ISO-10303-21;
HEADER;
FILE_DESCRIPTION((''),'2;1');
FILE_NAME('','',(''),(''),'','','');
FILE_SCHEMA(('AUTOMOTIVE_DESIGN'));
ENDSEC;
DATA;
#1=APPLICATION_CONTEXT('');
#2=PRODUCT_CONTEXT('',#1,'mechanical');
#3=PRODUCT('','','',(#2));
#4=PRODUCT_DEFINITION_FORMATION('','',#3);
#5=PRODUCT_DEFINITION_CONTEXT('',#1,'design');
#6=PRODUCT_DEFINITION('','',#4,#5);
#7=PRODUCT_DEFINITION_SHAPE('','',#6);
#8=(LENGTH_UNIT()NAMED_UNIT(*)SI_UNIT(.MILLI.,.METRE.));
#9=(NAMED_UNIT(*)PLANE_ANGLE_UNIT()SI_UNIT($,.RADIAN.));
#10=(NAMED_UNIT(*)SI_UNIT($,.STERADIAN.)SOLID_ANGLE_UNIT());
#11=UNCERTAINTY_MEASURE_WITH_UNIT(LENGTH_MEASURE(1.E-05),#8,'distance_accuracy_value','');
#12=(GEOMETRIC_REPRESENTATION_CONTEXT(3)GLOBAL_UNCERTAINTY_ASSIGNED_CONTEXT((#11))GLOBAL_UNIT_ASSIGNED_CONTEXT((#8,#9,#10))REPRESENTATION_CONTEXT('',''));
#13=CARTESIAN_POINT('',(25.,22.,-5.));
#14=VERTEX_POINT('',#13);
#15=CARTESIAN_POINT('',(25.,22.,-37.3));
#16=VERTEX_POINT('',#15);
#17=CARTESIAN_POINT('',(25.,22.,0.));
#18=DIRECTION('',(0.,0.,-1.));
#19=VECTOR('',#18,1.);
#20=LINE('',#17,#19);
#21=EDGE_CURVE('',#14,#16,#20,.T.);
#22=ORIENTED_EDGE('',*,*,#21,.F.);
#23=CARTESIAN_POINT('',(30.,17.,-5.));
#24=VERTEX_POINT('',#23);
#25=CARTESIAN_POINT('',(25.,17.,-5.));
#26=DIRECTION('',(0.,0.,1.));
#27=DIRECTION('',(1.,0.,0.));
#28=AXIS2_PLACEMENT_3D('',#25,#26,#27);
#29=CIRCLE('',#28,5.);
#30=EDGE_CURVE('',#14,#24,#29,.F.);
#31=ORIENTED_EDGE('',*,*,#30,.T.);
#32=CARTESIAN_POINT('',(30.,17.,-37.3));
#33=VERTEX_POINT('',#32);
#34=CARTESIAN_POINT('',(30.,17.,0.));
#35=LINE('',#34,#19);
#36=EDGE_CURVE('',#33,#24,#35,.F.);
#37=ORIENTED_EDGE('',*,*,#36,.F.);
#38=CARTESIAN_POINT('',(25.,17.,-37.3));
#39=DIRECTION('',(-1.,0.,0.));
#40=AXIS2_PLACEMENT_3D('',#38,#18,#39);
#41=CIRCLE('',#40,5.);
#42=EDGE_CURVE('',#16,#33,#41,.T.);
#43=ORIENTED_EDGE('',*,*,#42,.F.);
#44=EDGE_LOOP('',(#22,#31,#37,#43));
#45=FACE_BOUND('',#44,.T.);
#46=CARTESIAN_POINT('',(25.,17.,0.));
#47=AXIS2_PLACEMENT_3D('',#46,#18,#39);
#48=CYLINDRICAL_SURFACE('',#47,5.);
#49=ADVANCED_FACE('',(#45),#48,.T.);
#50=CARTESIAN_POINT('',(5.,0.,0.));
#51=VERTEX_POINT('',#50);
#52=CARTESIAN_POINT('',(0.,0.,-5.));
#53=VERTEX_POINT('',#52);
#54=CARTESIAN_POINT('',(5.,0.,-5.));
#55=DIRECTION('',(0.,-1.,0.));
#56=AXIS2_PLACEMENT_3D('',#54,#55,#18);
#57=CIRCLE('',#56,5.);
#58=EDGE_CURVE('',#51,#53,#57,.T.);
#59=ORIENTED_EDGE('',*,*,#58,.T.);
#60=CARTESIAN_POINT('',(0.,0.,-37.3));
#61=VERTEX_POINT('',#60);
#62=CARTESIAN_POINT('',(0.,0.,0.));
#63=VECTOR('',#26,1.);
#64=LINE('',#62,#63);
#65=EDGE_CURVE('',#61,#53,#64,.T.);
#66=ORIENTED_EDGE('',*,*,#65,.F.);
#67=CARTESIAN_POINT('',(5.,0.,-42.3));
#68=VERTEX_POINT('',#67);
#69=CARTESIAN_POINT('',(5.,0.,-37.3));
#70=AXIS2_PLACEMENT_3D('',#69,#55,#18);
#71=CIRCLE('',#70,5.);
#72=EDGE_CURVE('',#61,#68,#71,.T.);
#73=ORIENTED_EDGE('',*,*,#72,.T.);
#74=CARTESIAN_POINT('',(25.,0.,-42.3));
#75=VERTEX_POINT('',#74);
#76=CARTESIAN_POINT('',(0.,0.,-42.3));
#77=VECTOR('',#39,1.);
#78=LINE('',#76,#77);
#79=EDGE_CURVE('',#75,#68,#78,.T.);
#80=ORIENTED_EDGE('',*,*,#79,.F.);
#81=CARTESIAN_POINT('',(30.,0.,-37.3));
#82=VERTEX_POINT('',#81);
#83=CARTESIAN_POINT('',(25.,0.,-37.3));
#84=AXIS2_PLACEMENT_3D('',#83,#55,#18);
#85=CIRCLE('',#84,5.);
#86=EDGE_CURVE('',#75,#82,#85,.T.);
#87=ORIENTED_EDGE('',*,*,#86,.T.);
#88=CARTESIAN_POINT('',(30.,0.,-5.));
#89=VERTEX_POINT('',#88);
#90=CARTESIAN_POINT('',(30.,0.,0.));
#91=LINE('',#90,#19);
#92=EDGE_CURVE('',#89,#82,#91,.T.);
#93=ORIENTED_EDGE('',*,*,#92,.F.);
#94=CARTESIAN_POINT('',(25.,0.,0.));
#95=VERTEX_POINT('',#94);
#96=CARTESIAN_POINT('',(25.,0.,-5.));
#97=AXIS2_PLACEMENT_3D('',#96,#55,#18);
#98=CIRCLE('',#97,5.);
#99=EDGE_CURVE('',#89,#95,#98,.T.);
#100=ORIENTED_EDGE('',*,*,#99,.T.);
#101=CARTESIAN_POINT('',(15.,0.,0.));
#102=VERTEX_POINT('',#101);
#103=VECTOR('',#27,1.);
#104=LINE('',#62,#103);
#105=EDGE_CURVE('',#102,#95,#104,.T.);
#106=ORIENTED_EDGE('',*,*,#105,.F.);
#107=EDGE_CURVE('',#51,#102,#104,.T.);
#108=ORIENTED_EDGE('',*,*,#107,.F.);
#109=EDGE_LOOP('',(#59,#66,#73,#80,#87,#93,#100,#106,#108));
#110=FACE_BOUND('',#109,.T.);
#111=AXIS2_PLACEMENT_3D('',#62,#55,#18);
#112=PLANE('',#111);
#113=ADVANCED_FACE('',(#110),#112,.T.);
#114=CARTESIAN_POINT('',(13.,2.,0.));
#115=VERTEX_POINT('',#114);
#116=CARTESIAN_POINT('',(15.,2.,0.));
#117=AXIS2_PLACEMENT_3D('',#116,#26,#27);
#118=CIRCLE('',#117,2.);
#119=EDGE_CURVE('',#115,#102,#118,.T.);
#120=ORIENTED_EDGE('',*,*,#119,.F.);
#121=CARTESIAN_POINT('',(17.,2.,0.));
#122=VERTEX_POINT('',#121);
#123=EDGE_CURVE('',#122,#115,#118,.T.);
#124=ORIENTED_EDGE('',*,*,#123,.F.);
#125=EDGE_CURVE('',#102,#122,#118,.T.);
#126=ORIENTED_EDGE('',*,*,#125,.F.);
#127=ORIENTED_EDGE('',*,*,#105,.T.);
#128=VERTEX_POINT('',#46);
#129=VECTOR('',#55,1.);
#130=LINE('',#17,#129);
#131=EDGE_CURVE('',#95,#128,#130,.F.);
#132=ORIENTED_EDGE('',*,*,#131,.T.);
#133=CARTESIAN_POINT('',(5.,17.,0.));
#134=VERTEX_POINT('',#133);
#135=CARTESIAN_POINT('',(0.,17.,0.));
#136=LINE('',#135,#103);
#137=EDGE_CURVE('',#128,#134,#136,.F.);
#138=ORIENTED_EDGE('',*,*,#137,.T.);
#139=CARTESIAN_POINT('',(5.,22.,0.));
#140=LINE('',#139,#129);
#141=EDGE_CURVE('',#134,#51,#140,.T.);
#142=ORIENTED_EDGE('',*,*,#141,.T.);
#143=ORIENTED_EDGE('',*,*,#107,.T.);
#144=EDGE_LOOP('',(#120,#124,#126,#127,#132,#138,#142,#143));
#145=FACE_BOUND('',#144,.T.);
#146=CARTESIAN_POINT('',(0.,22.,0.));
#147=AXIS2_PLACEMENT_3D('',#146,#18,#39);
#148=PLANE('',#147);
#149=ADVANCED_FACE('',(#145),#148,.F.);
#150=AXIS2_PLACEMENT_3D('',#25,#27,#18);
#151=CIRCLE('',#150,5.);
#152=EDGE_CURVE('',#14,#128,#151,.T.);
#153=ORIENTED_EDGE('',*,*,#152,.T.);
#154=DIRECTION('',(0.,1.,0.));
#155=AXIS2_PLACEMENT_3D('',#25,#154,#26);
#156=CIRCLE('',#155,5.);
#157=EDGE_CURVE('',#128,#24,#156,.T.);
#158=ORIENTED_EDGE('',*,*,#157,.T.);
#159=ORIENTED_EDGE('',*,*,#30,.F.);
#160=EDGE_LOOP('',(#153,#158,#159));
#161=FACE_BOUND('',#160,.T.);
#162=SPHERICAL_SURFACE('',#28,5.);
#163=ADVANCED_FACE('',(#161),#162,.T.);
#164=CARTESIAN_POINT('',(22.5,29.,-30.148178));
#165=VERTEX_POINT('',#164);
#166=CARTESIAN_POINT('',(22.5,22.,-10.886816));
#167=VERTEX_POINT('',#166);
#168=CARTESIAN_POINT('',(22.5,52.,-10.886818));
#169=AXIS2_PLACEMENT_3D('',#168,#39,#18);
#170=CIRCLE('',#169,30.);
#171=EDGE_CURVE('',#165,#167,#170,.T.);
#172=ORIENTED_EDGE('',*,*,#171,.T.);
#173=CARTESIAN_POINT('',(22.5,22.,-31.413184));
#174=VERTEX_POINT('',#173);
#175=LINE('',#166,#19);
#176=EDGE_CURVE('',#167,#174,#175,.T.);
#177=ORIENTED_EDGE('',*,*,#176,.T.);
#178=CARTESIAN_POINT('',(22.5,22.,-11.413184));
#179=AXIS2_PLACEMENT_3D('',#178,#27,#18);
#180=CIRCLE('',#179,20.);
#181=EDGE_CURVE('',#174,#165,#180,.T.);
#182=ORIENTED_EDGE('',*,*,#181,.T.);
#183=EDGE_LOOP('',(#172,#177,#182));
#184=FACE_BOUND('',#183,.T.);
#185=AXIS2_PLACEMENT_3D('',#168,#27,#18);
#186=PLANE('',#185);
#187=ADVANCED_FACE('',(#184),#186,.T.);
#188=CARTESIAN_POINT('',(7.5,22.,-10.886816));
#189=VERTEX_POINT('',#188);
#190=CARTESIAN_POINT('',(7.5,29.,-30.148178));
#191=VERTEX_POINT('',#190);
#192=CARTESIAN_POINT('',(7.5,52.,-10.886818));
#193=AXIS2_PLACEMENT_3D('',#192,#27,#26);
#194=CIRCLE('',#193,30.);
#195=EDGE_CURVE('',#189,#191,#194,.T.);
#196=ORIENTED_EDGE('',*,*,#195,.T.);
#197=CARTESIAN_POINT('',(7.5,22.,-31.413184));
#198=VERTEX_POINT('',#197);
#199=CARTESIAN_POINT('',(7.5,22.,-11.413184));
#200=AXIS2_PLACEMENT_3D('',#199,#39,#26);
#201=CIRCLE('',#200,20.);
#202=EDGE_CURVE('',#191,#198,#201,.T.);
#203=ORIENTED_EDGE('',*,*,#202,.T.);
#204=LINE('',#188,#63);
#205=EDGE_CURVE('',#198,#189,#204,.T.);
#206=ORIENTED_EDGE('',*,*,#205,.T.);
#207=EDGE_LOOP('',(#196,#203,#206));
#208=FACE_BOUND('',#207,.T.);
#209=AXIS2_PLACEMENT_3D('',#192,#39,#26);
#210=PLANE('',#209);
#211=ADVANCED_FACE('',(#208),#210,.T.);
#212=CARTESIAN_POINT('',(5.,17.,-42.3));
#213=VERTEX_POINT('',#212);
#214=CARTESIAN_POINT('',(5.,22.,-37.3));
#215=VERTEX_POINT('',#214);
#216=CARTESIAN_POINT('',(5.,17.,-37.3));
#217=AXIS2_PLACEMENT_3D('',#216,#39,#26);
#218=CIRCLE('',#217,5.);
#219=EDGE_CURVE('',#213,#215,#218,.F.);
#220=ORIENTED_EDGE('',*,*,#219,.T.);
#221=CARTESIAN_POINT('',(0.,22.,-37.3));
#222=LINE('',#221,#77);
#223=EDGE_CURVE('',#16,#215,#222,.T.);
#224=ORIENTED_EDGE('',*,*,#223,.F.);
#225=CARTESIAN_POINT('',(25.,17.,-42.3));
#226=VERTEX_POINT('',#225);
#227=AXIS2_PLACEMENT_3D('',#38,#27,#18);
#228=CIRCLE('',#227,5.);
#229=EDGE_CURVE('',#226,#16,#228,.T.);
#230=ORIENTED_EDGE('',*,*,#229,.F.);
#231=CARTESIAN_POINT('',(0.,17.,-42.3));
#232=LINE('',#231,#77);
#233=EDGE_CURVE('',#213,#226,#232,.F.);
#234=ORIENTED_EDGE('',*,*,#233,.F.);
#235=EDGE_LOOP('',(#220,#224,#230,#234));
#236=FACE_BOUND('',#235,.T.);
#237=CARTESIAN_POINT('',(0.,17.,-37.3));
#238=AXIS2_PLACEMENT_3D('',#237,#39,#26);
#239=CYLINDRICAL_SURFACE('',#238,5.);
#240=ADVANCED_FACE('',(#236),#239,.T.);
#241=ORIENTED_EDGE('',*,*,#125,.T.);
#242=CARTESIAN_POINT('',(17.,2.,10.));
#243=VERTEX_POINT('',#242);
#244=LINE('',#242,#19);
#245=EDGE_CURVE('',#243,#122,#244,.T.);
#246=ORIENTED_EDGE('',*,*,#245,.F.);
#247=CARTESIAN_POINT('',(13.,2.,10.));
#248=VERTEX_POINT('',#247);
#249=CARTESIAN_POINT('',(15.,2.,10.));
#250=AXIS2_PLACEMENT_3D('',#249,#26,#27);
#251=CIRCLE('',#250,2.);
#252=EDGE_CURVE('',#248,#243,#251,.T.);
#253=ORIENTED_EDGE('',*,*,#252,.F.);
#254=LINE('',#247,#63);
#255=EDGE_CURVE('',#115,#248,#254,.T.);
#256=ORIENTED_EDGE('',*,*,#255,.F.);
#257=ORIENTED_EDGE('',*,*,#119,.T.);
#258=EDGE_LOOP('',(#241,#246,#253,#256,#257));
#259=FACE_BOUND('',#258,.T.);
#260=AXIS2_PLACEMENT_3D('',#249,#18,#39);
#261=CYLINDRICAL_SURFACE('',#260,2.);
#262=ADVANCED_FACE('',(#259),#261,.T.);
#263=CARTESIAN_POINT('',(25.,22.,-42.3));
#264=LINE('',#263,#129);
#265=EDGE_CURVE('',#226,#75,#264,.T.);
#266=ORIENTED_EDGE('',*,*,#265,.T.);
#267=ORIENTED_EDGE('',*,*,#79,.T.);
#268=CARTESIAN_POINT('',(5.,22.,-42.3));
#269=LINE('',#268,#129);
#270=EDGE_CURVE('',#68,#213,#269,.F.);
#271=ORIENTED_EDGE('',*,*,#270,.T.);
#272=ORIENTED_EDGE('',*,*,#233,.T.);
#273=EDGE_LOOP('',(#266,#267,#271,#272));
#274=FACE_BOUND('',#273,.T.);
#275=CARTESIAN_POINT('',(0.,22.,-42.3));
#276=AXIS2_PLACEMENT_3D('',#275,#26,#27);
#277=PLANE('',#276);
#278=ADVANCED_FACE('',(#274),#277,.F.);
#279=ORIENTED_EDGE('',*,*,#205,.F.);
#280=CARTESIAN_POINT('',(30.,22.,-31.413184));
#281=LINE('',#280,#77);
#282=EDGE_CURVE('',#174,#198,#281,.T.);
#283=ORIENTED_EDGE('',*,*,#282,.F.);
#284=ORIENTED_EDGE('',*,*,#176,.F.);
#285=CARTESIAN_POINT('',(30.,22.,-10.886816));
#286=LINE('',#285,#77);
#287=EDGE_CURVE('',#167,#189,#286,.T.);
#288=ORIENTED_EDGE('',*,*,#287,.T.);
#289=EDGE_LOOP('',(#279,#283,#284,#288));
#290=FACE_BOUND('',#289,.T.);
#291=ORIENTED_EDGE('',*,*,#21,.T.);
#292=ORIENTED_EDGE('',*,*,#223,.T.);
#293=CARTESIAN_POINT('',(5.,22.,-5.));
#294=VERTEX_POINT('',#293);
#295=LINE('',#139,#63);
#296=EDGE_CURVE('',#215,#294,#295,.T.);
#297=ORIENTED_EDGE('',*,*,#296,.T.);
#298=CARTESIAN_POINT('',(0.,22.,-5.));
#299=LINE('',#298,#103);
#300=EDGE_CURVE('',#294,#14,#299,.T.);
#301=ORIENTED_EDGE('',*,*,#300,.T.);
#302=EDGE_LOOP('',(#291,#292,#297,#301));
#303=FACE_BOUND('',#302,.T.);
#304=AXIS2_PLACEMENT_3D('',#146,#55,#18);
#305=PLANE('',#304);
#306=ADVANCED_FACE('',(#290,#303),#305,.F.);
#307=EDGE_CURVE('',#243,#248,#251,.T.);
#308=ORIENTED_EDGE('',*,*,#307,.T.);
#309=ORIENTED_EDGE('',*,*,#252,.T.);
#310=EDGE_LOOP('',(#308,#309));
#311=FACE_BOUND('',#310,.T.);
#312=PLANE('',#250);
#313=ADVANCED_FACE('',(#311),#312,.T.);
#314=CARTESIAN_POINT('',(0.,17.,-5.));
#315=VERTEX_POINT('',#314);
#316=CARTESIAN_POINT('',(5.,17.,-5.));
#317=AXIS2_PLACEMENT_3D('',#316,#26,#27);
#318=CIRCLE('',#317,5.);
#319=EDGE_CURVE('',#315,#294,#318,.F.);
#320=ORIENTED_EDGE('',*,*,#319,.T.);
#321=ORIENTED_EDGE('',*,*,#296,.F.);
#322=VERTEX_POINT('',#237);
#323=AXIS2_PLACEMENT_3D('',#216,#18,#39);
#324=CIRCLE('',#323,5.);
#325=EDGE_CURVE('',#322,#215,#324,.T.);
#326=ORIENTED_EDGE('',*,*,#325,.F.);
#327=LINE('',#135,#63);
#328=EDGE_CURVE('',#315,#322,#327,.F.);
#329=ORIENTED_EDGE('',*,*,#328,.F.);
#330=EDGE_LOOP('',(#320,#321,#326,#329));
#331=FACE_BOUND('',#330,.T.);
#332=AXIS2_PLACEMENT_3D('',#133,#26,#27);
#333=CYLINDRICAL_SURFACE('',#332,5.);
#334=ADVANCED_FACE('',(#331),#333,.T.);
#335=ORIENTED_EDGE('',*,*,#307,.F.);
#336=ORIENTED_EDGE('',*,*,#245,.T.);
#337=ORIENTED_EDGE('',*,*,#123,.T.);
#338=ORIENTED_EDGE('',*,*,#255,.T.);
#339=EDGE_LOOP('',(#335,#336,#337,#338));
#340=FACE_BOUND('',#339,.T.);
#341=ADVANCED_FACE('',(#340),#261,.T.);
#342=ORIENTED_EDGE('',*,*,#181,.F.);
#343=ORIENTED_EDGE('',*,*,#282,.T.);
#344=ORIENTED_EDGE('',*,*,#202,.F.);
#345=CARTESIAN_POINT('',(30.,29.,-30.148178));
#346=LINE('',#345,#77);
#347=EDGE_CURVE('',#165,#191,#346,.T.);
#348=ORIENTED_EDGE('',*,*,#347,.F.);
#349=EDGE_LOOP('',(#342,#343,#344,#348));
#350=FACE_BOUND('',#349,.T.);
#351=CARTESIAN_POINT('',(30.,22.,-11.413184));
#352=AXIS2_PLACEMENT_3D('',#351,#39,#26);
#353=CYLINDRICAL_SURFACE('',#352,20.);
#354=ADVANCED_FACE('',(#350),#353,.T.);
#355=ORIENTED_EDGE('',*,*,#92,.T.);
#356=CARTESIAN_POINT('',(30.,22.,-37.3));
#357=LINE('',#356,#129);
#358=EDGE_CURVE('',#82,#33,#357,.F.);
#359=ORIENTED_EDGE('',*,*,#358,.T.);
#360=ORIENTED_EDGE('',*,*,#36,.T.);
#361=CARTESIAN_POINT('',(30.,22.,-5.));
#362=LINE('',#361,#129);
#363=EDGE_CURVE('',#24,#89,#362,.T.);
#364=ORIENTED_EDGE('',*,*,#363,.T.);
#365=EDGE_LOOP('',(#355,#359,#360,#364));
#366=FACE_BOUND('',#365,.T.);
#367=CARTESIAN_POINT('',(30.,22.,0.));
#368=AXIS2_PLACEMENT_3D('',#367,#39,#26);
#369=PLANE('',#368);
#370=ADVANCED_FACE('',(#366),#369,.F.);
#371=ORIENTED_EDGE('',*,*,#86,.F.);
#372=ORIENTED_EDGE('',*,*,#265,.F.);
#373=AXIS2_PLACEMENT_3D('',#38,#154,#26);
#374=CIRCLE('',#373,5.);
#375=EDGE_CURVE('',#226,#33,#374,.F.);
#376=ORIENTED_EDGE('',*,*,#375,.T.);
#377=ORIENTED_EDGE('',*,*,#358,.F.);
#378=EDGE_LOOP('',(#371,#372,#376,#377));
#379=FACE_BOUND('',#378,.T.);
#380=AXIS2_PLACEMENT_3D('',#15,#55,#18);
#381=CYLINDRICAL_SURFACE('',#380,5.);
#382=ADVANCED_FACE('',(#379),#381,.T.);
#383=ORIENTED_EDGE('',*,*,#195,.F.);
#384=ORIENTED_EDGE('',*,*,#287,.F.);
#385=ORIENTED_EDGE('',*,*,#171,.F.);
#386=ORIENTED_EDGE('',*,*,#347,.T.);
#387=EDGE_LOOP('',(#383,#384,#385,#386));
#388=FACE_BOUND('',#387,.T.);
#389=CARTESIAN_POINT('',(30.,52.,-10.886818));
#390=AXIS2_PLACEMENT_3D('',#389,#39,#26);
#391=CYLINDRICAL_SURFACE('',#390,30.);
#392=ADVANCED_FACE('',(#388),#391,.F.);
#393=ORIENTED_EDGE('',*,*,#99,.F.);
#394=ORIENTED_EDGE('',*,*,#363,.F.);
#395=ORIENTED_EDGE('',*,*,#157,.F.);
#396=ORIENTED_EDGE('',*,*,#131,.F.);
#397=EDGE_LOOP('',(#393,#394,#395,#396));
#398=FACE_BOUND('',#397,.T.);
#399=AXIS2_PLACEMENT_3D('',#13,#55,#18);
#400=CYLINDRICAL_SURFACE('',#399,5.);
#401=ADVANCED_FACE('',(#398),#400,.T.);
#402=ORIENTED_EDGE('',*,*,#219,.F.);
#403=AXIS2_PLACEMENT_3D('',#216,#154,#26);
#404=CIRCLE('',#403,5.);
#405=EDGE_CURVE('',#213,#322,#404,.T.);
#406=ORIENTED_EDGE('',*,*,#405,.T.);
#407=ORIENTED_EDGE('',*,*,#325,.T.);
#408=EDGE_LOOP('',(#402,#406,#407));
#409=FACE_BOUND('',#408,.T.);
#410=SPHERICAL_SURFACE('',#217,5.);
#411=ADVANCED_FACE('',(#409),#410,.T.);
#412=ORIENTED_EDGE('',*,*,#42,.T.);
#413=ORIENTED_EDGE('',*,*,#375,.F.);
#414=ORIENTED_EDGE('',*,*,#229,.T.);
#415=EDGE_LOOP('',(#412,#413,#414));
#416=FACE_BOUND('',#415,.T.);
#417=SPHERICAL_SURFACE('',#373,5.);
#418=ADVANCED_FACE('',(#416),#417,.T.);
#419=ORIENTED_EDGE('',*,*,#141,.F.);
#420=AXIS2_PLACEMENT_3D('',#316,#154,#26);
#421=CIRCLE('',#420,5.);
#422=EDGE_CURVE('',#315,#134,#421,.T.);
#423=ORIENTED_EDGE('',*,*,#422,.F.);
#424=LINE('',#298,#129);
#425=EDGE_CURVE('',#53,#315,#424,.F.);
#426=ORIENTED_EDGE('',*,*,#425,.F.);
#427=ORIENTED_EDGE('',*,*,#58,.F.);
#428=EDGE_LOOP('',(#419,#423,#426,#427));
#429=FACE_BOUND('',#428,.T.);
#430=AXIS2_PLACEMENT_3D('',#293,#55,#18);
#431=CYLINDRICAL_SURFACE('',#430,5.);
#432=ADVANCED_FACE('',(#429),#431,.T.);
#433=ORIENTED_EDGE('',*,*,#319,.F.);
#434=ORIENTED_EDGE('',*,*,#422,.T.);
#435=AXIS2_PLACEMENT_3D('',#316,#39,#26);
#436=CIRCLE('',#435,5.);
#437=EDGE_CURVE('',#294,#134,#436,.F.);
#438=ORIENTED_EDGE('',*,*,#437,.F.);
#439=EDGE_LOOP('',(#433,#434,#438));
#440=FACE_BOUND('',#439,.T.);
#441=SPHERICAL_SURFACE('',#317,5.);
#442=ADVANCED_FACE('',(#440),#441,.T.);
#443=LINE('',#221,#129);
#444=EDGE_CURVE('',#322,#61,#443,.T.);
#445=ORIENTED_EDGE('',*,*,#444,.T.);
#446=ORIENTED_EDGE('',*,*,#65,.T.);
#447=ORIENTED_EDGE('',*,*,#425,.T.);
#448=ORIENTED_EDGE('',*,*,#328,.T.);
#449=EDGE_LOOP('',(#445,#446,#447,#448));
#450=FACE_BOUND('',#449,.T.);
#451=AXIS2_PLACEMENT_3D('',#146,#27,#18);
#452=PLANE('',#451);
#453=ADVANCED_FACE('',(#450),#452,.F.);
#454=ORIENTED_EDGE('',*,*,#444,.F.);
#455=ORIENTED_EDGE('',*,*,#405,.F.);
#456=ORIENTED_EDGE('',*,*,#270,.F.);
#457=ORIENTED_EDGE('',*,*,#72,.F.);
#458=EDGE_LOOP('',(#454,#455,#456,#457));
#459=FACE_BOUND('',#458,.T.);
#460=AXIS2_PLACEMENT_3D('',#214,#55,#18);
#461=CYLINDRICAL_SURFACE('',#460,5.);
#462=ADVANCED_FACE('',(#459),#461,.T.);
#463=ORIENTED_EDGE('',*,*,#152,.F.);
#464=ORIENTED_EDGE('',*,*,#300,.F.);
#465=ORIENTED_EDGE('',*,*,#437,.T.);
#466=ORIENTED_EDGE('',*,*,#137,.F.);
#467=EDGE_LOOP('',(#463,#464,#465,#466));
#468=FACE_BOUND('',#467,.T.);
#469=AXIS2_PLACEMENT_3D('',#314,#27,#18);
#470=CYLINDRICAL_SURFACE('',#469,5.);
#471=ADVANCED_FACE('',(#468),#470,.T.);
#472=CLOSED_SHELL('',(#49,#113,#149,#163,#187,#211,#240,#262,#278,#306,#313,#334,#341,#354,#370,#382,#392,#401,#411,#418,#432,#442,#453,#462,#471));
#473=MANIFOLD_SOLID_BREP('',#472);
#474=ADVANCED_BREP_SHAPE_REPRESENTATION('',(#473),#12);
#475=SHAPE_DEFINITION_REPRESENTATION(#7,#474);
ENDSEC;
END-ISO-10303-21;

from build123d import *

# Parameters (mm, degrees)
SKETCH1_W           = 30
SKETCH1_H           = 42.3
BOSS_EXTRUDE1_DEPTH = 22
SKETCH2_R           = 2
BOSS_EXTRUDE2_DEPTH = 10
FILLET2_R           = 5
BOSS_EXTRUDE4_DEPTH = 30
CUT_EXTRUDE1_DEPTH  = 7.5
CUT_EXTRUDE2_START  = -7.5
CUT_EXTRUDE2_DEPTH  = 7.5


with BuildPart() as part:
    # Sketch1 → Boss-Extrude1 (new body)
    with BuildSketch(Plane(origin=(0, 0, 0), x_dir=(1, 0, 0), z_dir=(0, 1, 0))):
        with Locations((15, 21.15)):
            Rectangle(SKETCH1_W, SKETCH1_H)
    extrude(amount=BOSS_EXTRUDE1_DEPTH)

    # Sketch2 → Boss-Extrude2 (add)
    with BuildSketch(Plane.XY):
        with Locations(Location((15, 2, 0), (0, 0, 270))):
            Circle(SKETCH2_R)
    extrude(amount=BOSS_EXTRUDE2_DEPTH)

    # Fillet2
    fillet2_edges = [part.edges().sort_by_distance(p)[0] for p in [
        (30, 22, -21.15),
        (15, 22, -42.3),
        (0, 22, -21.15),
        (0, 11, -42.3),
        (30, 11, -42.3),
        (30, 11, 0),
        (0, 11, 0),
        (15, 22, 0),
    ]]
    fillet(fillet2_edges, radius=FILLET2_R)

    # Sketch5 → Boss-Extrude4 (add)
    with BuildSketch(Plane(origin=(0, 0, 0), x_dir=(0, 0, -1), z_dir=(1, 0, 0))):
        with BuildLine():
            Line((10.886815905, 22), (31.413184095, 22))
            ThreePointArc((31.413184095, 22), (31.094391882, 25.55669229), (30.14817809, 29))
            ThreePointArc((30.14817809, 29), (21.133767679, 23.804255316), (10.886815905, 22))
        make_face()
    extrude(amount=BOSS_EXTRUDE4_DEPTH)

    # Sketch6 → Cut-Extrude1 (cut)
    with BuildSketch(Plane.ZY):
        with BuildLine():
            Line((-10.886815905, 22), (-31.413184095, 22))
            ThreePointArc((-31.413184095, 22), (-31.094391882, 25.55669229), (-30.14817809, 29))
            ThreePointArc((-30.14817809, 29), (-21.133767679, 23.804255316), (-10.886815905, 22))
        make_face()
    extrude(amount=-CUT_EXTRUDE1_DEPTH, mode=Mode.SUBTRACT)

    # Sketch7 → Cut-Extrude2 (cut)
    with BuildSketch(Plane(origin=(30, 0, 0), x_dir=(0, 0, -1), z_dir=(1, 0, 0)).offset(CUT_EXTRUDE2_START)):
        with BuildLine():
            Line((10.886815905, 22), (31.413184095, 22))
            ThreePointArc((31.413184095, 22), (31.094391882, 25.55669229), (30.14817809, 29))
            ThreePointArc((30.14817809, 29), (21.133767679, 23.804255316), (10.886815905, 22))
        make_face()
    extrude(amount=CUT_EXTRUDE2_DEPTH, mode=Mode.SUBTRACT)


solid = part.part
